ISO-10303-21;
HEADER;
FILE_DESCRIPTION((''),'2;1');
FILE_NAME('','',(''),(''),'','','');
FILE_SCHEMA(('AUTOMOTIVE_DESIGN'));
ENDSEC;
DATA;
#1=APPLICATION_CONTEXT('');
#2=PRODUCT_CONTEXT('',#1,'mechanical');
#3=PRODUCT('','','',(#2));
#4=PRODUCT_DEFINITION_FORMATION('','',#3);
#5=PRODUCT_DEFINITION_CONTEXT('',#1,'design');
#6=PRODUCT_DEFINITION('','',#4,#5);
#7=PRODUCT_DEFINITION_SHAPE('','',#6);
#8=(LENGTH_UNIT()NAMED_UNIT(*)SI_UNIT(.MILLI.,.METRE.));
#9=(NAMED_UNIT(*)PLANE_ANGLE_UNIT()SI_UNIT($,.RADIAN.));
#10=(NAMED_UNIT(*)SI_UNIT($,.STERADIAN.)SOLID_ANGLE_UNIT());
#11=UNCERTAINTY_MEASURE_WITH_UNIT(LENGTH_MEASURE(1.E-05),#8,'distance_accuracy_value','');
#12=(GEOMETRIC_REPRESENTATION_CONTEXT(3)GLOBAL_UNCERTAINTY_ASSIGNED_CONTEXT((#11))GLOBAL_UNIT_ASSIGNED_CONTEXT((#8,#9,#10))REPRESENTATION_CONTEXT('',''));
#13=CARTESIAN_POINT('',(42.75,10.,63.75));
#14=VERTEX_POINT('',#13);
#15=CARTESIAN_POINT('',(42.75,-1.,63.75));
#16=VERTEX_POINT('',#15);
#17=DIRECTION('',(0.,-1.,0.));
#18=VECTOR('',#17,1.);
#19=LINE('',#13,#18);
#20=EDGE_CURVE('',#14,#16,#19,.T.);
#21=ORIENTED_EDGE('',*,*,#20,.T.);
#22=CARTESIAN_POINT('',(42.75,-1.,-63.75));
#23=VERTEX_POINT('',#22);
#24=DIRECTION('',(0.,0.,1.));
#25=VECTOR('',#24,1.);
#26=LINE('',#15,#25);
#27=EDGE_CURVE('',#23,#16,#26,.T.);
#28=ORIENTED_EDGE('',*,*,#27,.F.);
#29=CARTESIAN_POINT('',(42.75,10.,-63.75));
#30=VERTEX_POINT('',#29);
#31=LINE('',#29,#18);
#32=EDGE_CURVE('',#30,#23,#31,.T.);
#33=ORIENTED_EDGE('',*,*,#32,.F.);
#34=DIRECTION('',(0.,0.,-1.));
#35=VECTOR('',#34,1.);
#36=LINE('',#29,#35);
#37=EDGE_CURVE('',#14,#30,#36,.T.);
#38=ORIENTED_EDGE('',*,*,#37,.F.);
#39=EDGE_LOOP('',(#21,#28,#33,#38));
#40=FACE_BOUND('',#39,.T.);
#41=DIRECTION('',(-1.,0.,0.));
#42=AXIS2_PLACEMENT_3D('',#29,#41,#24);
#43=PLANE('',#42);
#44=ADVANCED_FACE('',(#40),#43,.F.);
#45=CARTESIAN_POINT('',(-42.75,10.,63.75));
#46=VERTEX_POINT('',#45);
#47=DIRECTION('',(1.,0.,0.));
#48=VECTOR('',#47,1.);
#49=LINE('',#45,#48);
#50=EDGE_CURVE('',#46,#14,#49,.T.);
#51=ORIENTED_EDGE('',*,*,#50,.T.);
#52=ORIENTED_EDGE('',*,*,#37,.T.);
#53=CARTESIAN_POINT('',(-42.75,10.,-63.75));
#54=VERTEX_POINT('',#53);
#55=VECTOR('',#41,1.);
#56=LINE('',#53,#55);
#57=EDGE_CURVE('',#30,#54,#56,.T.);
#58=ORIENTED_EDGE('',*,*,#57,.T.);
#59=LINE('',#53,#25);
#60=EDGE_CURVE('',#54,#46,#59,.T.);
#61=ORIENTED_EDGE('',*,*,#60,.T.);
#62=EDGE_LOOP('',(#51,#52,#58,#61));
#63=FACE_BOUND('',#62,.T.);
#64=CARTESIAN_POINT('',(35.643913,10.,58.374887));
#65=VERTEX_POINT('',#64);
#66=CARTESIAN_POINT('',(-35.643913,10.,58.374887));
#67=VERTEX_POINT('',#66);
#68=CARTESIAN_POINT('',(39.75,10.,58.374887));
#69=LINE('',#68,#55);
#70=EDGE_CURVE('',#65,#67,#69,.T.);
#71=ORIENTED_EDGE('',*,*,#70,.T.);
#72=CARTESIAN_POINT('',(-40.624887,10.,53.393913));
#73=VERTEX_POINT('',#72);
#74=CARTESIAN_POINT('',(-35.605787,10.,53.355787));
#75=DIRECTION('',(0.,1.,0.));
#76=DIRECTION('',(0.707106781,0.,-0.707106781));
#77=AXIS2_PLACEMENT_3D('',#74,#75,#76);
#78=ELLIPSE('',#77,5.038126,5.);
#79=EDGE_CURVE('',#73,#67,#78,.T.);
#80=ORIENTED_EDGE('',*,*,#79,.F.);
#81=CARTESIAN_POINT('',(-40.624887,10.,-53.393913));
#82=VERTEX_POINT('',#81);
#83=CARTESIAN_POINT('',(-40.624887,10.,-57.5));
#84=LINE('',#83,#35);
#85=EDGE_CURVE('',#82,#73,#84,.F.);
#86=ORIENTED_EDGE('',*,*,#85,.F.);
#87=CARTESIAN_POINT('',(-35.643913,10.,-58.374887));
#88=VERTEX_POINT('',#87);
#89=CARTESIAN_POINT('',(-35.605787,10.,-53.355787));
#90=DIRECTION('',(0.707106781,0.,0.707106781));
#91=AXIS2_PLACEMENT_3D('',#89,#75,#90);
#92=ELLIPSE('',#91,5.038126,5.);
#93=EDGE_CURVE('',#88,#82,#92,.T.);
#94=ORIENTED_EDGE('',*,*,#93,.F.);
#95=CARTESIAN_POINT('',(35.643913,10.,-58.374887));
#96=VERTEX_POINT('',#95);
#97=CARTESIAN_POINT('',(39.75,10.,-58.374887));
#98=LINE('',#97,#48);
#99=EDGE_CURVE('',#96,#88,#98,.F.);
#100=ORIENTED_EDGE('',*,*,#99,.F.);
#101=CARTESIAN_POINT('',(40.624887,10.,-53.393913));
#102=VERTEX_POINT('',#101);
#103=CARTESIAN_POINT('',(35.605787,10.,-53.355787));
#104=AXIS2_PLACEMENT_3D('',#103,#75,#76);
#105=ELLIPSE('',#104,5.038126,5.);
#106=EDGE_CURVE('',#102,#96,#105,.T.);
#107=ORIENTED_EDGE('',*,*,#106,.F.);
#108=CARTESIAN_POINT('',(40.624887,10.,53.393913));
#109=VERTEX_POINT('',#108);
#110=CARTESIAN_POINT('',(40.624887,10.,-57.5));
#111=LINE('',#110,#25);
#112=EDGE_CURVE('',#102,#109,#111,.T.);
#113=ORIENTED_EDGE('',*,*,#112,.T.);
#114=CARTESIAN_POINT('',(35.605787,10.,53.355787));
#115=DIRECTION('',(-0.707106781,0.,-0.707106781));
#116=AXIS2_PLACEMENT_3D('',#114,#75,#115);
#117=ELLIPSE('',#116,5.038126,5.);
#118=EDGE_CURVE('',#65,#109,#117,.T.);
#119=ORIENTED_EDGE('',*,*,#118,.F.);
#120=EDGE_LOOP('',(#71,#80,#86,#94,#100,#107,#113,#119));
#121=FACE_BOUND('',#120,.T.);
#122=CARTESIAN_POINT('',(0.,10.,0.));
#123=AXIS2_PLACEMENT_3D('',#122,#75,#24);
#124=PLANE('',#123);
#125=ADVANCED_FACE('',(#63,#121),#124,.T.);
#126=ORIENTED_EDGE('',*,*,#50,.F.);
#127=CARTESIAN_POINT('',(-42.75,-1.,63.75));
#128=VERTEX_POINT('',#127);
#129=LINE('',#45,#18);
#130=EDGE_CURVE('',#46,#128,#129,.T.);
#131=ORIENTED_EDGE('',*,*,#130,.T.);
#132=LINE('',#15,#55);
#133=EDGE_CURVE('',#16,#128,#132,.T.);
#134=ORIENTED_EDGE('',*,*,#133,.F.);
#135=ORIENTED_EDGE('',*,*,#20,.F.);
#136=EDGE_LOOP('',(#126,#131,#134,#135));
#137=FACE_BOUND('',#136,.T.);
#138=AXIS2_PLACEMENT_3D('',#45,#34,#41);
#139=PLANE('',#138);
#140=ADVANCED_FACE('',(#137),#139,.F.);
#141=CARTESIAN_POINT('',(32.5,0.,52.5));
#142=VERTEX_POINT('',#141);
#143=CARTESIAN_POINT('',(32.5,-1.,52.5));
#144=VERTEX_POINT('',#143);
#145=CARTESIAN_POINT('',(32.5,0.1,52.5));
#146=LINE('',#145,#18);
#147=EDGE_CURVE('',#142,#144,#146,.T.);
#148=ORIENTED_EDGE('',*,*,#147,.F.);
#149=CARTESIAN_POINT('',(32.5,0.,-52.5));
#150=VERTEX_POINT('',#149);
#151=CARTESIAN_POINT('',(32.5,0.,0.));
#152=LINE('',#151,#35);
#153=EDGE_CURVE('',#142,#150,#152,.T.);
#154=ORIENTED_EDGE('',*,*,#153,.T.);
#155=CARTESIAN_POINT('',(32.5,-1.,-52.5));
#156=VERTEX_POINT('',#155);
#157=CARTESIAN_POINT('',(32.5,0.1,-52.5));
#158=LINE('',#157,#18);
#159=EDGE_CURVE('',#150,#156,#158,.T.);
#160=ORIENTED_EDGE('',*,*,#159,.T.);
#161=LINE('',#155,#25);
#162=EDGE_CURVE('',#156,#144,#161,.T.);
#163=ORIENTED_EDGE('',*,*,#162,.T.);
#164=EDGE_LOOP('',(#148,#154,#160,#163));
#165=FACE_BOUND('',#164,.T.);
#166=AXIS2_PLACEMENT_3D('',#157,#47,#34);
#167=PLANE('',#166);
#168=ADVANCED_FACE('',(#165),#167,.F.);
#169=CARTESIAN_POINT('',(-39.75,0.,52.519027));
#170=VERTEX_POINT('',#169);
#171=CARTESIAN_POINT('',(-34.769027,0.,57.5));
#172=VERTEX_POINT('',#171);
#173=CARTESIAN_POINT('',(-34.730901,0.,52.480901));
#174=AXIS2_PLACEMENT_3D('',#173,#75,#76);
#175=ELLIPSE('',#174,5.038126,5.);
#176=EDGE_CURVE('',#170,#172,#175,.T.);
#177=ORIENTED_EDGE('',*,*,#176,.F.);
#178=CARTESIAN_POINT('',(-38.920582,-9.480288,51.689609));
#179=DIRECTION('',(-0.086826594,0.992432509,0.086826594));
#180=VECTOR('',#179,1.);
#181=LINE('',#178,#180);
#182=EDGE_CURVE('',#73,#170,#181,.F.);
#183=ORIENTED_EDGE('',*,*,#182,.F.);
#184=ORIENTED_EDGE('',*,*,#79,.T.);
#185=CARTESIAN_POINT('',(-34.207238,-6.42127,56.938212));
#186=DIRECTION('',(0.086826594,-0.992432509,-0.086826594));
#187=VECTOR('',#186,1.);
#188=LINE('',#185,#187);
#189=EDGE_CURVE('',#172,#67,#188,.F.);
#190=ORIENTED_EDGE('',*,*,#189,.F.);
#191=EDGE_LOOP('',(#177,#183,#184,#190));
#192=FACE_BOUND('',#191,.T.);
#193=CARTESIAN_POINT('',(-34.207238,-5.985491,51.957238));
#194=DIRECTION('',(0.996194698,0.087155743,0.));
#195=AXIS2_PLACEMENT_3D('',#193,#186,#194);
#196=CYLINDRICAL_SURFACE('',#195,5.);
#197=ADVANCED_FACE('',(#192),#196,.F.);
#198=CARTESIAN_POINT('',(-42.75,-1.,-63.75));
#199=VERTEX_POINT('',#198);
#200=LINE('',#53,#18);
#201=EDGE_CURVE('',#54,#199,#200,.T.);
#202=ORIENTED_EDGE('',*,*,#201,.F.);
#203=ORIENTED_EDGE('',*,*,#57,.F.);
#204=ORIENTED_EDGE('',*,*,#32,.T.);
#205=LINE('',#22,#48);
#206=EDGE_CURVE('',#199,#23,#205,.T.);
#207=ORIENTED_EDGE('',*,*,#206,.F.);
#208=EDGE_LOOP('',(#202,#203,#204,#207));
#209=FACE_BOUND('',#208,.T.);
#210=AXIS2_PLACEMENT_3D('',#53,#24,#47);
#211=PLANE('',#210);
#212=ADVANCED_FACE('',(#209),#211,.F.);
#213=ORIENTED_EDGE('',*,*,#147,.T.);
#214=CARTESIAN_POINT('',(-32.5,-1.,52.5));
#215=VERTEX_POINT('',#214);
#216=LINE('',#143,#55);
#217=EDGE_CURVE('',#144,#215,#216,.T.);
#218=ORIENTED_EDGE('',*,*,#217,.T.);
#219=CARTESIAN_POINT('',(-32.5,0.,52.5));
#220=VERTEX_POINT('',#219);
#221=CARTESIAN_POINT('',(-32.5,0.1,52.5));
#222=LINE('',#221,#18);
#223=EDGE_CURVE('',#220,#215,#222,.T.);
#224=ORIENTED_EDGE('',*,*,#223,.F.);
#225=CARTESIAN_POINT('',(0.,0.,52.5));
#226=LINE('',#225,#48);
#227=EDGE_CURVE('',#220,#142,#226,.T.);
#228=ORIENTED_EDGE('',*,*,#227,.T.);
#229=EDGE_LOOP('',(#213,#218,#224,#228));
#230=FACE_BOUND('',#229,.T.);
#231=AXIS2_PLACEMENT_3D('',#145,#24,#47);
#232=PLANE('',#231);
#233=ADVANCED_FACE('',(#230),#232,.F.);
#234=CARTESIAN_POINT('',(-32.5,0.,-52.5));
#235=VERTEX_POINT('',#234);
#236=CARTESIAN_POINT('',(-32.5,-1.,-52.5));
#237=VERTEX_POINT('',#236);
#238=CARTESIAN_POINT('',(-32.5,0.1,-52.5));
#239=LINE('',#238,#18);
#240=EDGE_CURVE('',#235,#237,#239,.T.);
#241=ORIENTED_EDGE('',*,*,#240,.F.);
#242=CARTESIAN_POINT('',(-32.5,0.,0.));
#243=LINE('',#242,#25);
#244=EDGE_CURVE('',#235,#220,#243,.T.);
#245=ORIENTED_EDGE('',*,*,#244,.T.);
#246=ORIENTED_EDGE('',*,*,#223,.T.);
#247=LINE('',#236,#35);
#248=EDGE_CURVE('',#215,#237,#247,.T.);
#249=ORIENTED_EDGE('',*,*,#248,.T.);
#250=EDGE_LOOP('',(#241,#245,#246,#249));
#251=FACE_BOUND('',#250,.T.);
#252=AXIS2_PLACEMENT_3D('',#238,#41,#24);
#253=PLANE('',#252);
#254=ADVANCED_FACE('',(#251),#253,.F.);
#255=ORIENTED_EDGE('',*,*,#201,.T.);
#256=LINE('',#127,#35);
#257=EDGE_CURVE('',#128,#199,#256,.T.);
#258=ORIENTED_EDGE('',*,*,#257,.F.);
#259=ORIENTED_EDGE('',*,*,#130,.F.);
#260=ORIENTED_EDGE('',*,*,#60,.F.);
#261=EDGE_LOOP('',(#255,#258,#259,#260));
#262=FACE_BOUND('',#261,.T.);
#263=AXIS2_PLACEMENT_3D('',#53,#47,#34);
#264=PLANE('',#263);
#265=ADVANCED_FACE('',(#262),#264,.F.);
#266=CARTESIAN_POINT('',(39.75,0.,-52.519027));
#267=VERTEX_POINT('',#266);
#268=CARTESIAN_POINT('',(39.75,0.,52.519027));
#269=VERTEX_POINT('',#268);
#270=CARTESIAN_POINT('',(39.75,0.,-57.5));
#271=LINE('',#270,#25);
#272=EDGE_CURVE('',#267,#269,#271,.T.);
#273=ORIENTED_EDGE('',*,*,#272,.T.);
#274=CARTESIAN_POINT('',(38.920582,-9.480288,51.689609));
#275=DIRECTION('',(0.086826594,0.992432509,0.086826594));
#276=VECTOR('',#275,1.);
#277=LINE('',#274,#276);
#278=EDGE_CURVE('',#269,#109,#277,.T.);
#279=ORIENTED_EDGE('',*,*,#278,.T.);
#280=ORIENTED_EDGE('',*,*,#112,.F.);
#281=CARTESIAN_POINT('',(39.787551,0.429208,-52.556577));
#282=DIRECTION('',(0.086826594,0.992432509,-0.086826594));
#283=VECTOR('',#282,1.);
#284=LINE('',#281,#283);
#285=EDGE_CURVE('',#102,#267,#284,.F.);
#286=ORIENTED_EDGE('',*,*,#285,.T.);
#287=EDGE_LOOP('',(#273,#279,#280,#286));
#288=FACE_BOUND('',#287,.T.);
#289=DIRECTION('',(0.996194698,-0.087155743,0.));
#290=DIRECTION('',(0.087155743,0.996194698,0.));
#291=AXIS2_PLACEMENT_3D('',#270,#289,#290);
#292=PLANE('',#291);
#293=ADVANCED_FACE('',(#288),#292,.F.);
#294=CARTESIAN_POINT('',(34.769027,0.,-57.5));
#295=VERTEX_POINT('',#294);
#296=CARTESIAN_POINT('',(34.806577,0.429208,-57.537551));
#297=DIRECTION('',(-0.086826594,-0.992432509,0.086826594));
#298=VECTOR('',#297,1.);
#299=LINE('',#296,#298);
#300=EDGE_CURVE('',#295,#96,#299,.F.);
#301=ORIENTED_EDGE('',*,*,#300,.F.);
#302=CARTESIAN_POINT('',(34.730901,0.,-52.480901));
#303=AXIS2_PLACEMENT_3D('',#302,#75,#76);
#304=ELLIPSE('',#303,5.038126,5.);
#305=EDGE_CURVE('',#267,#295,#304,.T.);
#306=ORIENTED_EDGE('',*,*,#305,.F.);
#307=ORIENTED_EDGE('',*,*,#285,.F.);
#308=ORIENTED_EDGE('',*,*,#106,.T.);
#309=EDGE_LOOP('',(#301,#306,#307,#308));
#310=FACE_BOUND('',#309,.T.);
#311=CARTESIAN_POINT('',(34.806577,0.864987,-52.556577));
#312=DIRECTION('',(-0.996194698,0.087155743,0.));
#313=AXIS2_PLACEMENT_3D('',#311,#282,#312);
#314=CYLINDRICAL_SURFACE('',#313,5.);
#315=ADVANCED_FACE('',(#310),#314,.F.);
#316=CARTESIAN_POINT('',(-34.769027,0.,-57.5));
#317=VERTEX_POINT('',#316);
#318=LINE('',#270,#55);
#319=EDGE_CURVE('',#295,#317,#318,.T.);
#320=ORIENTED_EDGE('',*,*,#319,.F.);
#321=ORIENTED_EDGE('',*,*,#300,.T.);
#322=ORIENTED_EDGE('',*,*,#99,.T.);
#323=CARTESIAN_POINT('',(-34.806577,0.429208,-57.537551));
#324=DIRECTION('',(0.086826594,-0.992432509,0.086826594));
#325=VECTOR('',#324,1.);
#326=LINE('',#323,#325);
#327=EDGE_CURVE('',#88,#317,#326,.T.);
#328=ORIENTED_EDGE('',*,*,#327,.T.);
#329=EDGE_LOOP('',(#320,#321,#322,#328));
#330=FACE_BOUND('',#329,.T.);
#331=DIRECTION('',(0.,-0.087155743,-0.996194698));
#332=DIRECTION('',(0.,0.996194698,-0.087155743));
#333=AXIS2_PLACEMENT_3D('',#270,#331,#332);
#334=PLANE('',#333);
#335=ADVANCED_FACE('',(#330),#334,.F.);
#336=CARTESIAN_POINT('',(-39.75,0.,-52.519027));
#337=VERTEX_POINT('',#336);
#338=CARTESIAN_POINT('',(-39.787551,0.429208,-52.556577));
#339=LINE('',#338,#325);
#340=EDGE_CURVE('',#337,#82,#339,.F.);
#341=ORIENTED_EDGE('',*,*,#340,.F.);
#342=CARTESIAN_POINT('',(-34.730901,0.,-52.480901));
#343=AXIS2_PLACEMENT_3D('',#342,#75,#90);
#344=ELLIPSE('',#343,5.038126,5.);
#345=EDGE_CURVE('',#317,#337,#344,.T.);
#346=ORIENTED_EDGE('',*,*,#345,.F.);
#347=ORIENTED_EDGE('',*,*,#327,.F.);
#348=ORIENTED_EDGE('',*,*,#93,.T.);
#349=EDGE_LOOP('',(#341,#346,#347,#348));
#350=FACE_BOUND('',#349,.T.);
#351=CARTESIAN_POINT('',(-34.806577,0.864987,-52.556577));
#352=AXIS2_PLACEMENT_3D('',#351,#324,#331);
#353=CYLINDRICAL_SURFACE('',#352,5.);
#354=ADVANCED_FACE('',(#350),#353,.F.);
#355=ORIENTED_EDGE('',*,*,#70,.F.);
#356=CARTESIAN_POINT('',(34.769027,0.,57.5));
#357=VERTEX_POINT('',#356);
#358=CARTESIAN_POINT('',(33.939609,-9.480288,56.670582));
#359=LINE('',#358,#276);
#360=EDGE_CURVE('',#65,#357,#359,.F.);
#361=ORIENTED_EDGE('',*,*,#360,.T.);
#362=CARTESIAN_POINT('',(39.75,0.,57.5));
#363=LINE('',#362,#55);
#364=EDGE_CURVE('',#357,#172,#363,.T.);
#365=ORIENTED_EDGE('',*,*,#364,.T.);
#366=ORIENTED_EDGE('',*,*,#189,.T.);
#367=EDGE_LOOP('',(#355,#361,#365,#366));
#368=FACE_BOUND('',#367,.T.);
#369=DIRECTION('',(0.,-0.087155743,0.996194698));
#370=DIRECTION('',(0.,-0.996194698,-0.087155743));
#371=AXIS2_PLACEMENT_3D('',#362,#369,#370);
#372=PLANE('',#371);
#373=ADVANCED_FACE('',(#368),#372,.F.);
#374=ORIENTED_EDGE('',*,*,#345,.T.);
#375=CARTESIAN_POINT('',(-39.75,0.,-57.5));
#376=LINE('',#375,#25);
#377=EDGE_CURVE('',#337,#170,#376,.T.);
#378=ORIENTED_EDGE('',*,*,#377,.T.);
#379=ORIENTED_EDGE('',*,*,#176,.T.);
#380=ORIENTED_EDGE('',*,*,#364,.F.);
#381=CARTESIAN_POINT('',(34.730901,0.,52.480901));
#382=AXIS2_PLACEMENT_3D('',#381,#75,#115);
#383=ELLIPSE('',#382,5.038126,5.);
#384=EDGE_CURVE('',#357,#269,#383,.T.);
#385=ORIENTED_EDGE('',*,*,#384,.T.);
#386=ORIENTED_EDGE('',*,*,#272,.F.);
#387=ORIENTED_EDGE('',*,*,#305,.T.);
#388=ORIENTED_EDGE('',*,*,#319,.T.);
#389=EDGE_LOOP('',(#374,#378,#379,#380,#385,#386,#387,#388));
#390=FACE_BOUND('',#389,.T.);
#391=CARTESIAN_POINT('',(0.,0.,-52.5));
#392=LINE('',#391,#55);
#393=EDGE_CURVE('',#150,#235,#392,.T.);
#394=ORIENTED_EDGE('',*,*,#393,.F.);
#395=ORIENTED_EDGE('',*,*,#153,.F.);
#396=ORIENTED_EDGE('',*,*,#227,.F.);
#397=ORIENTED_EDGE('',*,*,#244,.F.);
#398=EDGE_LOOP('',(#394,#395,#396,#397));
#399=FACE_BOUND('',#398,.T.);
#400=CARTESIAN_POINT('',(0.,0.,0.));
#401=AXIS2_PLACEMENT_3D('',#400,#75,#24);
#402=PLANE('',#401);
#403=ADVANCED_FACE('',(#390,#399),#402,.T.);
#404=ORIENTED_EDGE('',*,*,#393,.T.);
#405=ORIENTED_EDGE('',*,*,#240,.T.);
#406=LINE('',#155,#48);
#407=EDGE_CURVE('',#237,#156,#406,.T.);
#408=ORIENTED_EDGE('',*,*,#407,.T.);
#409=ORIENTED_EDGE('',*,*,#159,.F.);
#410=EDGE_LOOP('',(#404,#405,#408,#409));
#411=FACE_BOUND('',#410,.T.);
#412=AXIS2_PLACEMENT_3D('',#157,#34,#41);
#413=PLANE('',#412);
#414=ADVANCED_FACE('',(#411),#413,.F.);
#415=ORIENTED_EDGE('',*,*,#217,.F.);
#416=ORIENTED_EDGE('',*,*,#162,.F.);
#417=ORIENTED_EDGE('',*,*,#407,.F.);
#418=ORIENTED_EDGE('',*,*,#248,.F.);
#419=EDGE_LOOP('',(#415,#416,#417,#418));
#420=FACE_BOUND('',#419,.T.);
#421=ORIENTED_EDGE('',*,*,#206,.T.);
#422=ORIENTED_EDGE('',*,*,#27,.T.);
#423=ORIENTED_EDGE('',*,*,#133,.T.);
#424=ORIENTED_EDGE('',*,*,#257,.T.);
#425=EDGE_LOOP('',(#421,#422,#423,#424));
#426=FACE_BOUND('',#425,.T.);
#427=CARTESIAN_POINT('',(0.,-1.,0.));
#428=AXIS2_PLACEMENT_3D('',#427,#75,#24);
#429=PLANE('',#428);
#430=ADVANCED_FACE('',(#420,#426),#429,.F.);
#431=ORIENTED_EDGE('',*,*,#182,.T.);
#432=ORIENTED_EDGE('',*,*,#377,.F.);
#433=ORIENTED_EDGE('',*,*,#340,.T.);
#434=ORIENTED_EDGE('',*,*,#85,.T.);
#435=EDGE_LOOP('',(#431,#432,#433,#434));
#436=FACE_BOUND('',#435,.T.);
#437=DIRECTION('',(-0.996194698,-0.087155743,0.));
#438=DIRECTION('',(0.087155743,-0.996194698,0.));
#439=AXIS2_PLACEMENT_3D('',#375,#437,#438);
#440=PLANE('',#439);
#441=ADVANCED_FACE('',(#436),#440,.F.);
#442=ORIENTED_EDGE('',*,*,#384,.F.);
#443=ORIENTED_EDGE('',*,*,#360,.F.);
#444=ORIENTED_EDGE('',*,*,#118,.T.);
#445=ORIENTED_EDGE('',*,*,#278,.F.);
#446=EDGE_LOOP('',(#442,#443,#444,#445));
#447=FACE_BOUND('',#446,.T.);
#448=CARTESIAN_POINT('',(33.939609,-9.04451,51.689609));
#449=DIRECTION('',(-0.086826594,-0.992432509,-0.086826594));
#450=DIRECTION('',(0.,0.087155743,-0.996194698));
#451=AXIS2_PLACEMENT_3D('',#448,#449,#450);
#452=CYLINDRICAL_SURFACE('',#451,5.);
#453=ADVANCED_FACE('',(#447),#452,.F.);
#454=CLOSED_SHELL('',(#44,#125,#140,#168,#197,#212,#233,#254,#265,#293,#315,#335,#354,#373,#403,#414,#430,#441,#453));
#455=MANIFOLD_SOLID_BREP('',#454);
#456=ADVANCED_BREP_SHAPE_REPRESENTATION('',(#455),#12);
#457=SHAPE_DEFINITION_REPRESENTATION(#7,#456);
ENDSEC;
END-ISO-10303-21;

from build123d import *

# Parameters (mm, degrees)
SKETCH1_W           = 85.5
SKETCH1_H           = 127.5
BOSS_EXTRUDE1_DEPTH = 10
SKETCH2_W           = 79.5
SKETCH2_H           = 115
CUT_EXTRUDE1_DEPTH  = 10
CUT_EXTRUDE1_TAPER  = -5
SKETCH4_W           = 85.5
SKETCH4_H           = 127.5
BOSS_EXTRUDE3_DEPTH = 1
SKETCH6_W           = 65
SKETCH6_H           = 105
CUT_EXTRUDE2_DEPTH  = 1.1
FILLET2_R           = 5
FILLET3_R           = 5
FILLET4_R           = 5
FILLET5_R           = 5


with BuildPart() as part:
    # Sketch1 → Boss-Extrude1 (new body)
    with BuildSketch(Plane(origin=(0, 0, 0), x_dir=(1, 0, 0), z_dir=(0, 1, 0))):
        Rectangle(SKETCH1_W, SKETCH1_H)
    extrude(amount=BOSS_EXTRUDE1_DEPTH)

    # Sketch2 → Cut-Extrude1 (cut)
    with BuildSketch(Plane.XZ):
        Rectangle(SKETCH2_W, SKETCH2_H)
    extrude(amount=-CUT_EXTRUDE1_DEPTH, taper=CUT_EXTRUDE1_TAPER, mode=Mode.SUBTRACT)

    # Sketch4 → Boss-Extrude3 (add)
    with BuildSketch(Plane.XZ):
        Rectangle(SKETCH4_W, SKETCH4_H)
    extrude(amount=BOSS_EXTRUDE3_DEPTH)

    # Sketch6 → Cut-Extrude2 (cut)
    with BuildSketch(Plane.XZ.offset(1)):
        Rectangle(SKETCH6_W, SKETCH6_H)
    extrude(amount=-CUT_EXTRUDE2_DEPTH, mode=Mode.SUBTRACT)

    # Fillet2
    fillet2_edges = [part.edges().sort_by_distance(p)[0] for p in [
        (40.187443318, 5, 57.937443318),
    ]]
    fillet(fillet2_edges, radius=FILLET2_R)

    # Fillet3
    fillet3_edges = [part.edges().sort_by_distance(p)[0] for p in [
        (-40.187443318, 5, 57.937443318),
    ]]
    fillet(fillet3_edges, radius=FILLET3_R)

    # Fillet4
    fillet4_edges = [part.edges().sort_by_distance(p)[0] for p in [
        (-40.187443318, 5, -57.937443318),
    ]]
    fillet(fillet4_edges, radius=FILLET4_R)

    # Fillet5
    fillet5_edges = [part.edges().sort_by_distance(p)[0] for p in [
        (40.187443318, 5, -57.937443318),
    ]]
    fillet(fillet5_edges, radius=FILLET5_R)


solid = part.part
